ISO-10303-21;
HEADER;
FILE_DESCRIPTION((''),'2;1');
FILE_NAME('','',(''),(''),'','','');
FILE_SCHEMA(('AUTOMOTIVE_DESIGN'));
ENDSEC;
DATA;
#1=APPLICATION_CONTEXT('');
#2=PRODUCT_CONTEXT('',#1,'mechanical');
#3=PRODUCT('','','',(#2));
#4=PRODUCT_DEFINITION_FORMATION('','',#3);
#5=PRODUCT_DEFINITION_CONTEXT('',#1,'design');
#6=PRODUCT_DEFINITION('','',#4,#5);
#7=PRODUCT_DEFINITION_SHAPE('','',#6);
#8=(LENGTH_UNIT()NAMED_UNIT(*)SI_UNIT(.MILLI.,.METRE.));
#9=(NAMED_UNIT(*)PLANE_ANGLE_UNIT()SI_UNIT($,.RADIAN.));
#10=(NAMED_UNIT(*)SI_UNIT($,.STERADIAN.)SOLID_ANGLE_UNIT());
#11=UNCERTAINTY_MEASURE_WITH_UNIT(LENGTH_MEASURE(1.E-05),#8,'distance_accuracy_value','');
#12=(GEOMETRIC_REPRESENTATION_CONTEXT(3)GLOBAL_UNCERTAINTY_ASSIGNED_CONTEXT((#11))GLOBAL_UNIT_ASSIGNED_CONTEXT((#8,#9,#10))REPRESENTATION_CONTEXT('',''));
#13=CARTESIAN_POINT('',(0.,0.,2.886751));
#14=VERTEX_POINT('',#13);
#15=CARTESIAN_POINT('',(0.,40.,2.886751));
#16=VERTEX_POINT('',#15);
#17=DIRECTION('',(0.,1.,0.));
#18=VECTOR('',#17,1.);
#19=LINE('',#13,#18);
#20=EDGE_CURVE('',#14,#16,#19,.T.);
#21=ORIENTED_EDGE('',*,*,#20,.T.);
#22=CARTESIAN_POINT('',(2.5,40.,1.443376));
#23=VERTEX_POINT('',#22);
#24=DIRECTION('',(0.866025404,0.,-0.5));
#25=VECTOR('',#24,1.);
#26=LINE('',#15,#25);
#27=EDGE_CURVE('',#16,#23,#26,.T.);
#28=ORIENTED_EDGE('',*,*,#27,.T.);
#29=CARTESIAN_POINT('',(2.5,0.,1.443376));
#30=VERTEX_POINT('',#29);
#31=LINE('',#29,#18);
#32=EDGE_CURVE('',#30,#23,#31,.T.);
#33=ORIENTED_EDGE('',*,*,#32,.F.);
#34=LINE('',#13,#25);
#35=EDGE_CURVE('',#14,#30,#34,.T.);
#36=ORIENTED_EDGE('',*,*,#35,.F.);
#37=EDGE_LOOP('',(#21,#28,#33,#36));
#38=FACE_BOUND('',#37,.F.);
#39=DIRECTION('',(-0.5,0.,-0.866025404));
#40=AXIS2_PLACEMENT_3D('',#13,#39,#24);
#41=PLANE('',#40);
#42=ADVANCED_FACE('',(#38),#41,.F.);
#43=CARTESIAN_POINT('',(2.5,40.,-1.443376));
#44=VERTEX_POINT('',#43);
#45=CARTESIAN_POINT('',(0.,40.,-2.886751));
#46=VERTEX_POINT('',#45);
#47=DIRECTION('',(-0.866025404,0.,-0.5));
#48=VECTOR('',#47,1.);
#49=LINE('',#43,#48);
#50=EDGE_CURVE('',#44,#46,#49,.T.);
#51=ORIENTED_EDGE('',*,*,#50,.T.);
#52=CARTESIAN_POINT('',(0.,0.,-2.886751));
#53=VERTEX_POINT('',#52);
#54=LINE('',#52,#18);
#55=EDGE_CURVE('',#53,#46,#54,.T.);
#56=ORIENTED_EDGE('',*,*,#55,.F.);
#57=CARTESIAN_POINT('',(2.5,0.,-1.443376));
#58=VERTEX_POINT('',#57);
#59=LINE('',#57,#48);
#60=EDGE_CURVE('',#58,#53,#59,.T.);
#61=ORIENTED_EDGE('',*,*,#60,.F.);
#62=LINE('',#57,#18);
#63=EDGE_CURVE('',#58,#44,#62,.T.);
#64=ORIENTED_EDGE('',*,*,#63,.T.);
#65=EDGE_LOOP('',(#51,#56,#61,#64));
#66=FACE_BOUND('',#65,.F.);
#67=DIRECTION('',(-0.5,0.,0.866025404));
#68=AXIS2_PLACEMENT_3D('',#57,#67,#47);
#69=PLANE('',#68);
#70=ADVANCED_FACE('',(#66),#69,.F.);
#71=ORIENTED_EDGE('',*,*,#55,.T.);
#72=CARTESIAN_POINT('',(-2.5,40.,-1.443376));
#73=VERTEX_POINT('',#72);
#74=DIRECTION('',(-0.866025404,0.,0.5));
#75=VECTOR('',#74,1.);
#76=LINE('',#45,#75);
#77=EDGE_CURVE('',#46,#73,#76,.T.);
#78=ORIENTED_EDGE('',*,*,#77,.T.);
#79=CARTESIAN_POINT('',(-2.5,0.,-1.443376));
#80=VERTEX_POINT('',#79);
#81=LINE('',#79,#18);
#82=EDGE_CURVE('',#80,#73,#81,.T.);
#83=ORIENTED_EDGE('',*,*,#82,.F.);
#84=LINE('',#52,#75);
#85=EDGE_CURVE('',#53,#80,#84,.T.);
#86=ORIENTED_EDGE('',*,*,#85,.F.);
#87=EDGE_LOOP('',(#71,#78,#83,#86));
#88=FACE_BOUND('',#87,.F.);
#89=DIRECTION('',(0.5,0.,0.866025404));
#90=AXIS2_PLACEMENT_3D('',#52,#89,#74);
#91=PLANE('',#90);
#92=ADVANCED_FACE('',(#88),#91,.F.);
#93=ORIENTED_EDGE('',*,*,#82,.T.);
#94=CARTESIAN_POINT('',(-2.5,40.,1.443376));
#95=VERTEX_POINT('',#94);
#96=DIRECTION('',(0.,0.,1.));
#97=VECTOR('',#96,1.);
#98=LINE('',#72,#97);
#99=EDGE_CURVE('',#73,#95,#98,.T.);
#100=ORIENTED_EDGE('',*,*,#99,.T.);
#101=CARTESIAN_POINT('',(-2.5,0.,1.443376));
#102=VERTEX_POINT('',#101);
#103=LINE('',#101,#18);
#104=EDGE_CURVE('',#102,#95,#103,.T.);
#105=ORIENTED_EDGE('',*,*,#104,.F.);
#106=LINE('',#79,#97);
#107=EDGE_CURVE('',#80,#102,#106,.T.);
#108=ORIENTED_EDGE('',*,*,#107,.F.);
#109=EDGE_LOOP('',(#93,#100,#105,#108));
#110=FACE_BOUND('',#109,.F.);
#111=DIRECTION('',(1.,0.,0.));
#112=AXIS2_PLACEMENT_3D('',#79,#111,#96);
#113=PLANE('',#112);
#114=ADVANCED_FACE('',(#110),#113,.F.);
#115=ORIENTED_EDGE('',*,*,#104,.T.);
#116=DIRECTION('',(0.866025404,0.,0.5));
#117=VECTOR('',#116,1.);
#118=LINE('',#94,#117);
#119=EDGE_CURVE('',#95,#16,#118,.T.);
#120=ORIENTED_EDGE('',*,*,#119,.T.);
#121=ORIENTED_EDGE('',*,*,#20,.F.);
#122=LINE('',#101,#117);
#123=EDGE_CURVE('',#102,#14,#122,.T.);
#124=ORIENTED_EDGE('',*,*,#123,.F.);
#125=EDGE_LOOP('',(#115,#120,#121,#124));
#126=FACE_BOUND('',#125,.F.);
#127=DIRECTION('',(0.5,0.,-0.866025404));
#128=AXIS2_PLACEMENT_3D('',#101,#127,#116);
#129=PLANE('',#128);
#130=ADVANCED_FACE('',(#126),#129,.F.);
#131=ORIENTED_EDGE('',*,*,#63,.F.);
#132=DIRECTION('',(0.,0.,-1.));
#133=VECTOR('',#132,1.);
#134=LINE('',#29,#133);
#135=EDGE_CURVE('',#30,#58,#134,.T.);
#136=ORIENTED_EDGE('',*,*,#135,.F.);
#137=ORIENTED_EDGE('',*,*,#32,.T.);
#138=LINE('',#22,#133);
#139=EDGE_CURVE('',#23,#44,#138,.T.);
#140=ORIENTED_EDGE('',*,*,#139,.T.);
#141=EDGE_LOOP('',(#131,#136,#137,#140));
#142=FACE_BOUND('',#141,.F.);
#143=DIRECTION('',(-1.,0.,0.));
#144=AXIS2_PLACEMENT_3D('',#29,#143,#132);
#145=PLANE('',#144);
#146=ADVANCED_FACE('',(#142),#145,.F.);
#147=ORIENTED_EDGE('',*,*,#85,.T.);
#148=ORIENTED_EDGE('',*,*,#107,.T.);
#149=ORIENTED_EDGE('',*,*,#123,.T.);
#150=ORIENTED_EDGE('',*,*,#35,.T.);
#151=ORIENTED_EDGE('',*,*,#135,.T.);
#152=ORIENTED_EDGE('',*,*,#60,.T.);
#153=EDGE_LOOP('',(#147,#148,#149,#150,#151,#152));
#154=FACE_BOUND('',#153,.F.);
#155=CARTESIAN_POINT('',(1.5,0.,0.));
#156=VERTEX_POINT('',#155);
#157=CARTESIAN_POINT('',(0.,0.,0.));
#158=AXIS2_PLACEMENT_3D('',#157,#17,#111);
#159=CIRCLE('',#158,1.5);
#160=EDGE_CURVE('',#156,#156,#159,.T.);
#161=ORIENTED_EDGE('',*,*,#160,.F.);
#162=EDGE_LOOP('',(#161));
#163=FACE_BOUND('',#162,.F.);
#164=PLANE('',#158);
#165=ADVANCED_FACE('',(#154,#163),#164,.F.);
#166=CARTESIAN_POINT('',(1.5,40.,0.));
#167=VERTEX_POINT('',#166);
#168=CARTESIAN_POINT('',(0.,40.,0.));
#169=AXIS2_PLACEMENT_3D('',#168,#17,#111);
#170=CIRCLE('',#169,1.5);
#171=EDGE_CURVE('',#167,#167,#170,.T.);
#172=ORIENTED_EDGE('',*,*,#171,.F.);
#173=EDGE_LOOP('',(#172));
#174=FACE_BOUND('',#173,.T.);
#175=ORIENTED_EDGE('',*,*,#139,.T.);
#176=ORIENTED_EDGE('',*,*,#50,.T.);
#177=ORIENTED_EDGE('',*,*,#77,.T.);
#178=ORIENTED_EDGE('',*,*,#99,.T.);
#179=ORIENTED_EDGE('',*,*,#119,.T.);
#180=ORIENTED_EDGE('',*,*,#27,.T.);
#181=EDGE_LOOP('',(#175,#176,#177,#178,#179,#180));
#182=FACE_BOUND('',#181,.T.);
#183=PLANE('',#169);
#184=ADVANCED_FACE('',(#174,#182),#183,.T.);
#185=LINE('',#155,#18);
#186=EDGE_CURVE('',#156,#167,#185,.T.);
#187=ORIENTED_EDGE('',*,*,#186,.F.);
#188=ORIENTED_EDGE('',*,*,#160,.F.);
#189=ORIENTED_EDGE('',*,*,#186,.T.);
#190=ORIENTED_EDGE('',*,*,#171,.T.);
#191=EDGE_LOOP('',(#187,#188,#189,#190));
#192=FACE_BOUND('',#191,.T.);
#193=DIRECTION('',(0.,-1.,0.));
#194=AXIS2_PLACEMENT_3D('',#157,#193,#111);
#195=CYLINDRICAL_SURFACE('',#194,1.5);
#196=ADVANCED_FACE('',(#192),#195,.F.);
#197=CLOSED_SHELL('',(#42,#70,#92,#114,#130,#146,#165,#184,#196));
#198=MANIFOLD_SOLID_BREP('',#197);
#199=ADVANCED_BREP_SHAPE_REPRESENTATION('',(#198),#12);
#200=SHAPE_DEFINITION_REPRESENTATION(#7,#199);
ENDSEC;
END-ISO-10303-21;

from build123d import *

# Parameters (mm, degrees)
SKETCH_1_R      = 1.5
EXTRUDE_1_DEPTH = 40


with BuildPart() as part:
    # 草圖1 → 填料-伸長1 (new body)
    with BuildSketch(Plane(origin=(0, 0, 0), x_dir=(1, 0, 0), z_dir=(0, 1, 0))):
        Polygon((0, 2.886751346), (-2.5, 1.443375673), (-2.5, -1.443375673), (0, -2.886751346), (2.5, -1.443375673), (2.5, 1.443375673), align=None)
        Circle(SKETCH_1_R, mode=Mode.SUBTRACT)
    extrude(amount=EXTRUDE_1_DEPTH)


solid = part.part
